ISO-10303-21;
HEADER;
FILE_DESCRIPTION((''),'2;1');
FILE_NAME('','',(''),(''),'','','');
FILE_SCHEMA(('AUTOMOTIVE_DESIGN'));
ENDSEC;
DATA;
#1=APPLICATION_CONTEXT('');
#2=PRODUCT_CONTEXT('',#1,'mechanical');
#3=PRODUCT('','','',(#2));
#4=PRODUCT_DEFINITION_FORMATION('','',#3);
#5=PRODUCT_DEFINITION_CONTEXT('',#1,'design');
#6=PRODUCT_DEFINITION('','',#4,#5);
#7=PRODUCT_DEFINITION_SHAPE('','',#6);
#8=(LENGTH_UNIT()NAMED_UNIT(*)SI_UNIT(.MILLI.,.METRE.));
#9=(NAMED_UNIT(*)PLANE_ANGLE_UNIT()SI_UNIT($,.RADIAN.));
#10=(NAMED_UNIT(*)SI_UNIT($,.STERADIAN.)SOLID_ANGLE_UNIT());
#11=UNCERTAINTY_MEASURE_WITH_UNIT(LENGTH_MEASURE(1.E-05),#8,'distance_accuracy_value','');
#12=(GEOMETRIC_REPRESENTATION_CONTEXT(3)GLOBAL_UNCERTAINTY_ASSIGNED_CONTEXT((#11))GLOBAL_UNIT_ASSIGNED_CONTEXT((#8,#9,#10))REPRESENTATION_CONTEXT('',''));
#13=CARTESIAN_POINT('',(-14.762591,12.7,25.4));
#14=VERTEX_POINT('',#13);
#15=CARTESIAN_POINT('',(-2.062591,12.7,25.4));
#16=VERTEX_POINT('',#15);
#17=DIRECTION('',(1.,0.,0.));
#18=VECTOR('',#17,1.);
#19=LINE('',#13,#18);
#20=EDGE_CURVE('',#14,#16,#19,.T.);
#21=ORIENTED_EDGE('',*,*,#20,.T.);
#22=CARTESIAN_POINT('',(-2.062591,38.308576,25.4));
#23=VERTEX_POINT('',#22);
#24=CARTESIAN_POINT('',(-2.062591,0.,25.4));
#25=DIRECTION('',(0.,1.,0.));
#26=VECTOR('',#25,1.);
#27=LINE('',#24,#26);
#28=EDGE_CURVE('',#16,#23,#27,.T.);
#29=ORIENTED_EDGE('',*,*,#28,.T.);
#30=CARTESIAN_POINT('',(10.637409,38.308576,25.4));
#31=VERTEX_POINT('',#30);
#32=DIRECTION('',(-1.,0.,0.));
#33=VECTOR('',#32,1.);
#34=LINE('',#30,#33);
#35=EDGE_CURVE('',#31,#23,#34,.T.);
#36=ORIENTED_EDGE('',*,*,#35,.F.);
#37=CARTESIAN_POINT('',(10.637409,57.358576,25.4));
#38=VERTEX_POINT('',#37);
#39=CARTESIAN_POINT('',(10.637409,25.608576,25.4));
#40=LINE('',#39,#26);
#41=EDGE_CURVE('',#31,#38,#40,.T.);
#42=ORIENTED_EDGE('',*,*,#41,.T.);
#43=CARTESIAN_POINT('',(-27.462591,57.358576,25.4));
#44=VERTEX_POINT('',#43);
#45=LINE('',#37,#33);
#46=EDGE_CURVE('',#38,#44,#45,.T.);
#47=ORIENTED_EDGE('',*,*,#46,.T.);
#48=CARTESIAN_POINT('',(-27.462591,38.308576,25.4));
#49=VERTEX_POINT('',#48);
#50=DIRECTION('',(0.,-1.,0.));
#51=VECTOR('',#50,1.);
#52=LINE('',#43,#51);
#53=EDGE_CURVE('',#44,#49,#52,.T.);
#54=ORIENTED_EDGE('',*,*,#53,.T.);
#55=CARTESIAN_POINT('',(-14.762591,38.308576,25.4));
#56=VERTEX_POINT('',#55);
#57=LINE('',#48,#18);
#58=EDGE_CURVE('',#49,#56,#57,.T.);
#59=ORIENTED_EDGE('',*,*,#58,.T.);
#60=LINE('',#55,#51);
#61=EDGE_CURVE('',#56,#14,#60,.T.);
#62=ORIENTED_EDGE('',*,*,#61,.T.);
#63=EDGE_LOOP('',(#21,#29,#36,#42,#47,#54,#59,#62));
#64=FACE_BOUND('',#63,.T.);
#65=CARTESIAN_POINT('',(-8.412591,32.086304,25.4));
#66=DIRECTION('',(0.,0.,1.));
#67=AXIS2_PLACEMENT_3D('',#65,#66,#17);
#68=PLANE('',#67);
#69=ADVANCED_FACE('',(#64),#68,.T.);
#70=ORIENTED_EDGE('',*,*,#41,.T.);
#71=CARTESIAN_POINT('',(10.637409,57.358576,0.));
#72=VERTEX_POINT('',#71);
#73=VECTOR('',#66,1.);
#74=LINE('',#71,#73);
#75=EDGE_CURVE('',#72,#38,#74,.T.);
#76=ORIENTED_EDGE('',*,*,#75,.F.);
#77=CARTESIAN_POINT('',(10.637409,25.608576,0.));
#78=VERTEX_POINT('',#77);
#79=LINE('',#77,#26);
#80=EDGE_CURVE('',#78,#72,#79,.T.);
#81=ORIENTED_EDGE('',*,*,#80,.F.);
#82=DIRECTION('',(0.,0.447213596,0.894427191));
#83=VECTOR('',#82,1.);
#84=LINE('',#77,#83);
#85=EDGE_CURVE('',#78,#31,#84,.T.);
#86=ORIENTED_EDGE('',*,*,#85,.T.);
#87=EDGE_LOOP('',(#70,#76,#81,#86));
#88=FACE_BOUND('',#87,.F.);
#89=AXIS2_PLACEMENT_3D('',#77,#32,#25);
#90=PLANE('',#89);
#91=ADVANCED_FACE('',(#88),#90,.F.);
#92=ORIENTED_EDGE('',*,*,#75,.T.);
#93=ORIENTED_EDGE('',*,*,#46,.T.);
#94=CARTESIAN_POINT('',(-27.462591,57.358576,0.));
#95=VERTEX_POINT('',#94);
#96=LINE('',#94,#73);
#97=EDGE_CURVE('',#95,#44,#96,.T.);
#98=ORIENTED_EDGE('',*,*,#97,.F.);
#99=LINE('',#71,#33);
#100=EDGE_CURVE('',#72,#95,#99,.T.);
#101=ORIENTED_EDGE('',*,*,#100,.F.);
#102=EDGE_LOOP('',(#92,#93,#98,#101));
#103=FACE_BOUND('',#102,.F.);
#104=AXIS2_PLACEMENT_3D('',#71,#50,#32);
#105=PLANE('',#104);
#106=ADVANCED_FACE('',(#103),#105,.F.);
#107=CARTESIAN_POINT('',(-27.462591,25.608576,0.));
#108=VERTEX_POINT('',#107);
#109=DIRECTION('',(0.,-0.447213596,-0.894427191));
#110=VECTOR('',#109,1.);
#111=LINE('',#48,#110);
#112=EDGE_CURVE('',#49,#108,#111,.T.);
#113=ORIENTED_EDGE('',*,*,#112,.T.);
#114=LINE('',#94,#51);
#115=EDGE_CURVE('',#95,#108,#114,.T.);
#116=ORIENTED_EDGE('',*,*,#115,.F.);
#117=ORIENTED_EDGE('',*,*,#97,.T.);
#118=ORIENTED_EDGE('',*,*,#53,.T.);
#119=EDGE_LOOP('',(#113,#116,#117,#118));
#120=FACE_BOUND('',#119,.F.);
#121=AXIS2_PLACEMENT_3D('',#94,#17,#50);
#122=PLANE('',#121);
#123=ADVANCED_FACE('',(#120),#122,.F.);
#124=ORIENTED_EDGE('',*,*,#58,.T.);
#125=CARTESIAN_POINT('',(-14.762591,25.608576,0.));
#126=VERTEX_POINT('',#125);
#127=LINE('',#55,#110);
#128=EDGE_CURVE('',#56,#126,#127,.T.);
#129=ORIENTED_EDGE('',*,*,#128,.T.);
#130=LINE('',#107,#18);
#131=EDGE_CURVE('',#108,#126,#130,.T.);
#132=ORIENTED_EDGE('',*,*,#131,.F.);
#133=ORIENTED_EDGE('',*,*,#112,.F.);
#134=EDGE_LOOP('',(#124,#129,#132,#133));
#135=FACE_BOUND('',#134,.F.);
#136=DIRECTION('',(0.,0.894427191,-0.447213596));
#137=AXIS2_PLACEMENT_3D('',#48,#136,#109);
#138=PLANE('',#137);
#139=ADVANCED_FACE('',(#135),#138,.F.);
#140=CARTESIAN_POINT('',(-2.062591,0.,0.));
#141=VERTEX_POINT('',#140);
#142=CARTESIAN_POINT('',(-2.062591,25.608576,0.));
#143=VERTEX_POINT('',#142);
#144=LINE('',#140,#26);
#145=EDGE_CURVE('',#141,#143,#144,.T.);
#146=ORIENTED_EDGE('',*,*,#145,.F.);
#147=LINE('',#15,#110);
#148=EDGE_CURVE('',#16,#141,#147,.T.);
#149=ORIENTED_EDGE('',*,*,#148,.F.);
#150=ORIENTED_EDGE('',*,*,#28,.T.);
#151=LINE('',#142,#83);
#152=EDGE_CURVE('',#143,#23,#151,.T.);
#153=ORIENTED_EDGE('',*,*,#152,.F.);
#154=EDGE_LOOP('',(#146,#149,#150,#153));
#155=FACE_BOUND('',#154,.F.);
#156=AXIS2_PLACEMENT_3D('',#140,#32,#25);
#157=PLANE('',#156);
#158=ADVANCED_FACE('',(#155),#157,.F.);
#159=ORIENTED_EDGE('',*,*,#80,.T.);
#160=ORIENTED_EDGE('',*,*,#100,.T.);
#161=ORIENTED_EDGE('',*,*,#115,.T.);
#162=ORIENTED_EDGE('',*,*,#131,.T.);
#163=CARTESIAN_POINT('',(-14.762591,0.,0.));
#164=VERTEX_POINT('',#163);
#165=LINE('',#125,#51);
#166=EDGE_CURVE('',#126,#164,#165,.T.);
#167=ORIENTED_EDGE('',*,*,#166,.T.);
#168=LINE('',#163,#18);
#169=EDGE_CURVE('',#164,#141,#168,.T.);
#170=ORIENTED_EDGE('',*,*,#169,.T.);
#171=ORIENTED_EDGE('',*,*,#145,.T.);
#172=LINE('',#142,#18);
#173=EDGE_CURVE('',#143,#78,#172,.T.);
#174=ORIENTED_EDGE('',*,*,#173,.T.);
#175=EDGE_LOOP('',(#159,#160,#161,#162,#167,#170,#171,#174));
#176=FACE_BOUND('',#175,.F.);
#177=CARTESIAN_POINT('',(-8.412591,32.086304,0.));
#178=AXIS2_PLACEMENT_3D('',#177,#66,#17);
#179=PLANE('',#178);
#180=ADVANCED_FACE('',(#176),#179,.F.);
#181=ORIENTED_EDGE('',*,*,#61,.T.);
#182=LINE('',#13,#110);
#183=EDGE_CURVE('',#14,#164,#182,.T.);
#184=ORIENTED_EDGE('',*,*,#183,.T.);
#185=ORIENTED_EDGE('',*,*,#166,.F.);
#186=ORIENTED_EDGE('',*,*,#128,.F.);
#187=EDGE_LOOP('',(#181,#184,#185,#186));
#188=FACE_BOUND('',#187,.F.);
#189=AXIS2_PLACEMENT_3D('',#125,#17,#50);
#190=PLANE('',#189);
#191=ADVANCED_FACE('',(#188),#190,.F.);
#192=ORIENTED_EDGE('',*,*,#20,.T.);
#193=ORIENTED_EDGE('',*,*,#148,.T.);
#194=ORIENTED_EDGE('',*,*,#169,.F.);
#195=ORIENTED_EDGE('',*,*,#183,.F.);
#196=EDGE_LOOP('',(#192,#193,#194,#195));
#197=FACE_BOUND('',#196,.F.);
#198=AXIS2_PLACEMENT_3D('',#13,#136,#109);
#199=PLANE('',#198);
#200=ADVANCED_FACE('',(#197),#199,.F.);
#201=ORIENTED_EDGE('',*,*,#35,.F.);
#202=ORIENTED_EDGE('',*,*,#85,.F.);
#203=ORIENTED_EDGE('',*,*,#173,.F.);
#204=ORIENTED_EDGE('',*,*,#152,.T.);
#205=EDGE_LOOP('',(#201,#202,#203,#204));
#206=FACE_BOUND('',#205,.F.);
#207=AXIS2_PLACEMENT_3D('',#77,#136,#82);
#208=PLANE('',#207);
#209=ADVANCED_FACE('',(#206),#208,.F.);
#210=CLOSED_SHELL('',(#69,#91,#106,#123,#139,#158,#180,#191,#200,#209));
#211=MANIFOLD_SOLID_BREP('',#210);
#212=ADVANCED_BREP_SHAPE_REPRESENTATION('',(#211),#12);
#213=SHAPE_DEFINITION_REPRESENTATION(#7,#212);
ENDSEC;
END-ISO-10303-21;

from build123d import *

# Parameters (mm, degrees)
F1_DEPTH = 25.4
F3_DEPTH = 12.7
F5_DEPTH = 12.7
F7_DEPTH = 12.7


with BuildPart() as f1:
    # F0 (on Top) → F1 (new body)
    with BuildSketch(Plane.XY):
        Polygon((10.637409, 57.358576), (0, 57.358576), (-27.462591, 57.358576), (-27.462591, 25.608576), (-14.762591, 25.608576), (-14.762591, 0), (-2.062591, 0), (-2.062591, 25.608576), (10.637409, 25.608576), align=None)
    extrude(amount=F1_DEPTH)

    # F2 (on face) → F3 (cut)
    with BuildSketch(Plane(origin=(-27.462591, 0, 0), x_dir=(0, -1, 0), z_dir=(-1, 0, 0))):
        Polygon((-25.608576, 25.4), (-38.308576, 25.4), (-25.608576, 0), align=None)
    extrude(amount=-F3_DEPTH, mode=Mode.SUBTRACT)

    # F4 (on face) → F5 (cut)
    with BuildSketch(Plane.YZ.offset(10.637409)):
        Polygon((25.608576, 25.4), (25.608576, 0), (38.308576, 25.4), align=None)
    extrude(amount=-F5_DEPTH, mode=Mode.SUBTRACT)

    # F6 (on face) → F7 (cut)
    with BuildSketch(Plane(origin=(-14.762591, 0, 0), x_dir=(0, -1, 0), z_dir=(-1, 0, 0))):
        Polygon((0, 25.4), (-12.7, 25.4), (0, 0), align=None)
    extrude(amount=-F7_DEPTH, mode=Mode.SUBTRACT)


solid = f1.part
